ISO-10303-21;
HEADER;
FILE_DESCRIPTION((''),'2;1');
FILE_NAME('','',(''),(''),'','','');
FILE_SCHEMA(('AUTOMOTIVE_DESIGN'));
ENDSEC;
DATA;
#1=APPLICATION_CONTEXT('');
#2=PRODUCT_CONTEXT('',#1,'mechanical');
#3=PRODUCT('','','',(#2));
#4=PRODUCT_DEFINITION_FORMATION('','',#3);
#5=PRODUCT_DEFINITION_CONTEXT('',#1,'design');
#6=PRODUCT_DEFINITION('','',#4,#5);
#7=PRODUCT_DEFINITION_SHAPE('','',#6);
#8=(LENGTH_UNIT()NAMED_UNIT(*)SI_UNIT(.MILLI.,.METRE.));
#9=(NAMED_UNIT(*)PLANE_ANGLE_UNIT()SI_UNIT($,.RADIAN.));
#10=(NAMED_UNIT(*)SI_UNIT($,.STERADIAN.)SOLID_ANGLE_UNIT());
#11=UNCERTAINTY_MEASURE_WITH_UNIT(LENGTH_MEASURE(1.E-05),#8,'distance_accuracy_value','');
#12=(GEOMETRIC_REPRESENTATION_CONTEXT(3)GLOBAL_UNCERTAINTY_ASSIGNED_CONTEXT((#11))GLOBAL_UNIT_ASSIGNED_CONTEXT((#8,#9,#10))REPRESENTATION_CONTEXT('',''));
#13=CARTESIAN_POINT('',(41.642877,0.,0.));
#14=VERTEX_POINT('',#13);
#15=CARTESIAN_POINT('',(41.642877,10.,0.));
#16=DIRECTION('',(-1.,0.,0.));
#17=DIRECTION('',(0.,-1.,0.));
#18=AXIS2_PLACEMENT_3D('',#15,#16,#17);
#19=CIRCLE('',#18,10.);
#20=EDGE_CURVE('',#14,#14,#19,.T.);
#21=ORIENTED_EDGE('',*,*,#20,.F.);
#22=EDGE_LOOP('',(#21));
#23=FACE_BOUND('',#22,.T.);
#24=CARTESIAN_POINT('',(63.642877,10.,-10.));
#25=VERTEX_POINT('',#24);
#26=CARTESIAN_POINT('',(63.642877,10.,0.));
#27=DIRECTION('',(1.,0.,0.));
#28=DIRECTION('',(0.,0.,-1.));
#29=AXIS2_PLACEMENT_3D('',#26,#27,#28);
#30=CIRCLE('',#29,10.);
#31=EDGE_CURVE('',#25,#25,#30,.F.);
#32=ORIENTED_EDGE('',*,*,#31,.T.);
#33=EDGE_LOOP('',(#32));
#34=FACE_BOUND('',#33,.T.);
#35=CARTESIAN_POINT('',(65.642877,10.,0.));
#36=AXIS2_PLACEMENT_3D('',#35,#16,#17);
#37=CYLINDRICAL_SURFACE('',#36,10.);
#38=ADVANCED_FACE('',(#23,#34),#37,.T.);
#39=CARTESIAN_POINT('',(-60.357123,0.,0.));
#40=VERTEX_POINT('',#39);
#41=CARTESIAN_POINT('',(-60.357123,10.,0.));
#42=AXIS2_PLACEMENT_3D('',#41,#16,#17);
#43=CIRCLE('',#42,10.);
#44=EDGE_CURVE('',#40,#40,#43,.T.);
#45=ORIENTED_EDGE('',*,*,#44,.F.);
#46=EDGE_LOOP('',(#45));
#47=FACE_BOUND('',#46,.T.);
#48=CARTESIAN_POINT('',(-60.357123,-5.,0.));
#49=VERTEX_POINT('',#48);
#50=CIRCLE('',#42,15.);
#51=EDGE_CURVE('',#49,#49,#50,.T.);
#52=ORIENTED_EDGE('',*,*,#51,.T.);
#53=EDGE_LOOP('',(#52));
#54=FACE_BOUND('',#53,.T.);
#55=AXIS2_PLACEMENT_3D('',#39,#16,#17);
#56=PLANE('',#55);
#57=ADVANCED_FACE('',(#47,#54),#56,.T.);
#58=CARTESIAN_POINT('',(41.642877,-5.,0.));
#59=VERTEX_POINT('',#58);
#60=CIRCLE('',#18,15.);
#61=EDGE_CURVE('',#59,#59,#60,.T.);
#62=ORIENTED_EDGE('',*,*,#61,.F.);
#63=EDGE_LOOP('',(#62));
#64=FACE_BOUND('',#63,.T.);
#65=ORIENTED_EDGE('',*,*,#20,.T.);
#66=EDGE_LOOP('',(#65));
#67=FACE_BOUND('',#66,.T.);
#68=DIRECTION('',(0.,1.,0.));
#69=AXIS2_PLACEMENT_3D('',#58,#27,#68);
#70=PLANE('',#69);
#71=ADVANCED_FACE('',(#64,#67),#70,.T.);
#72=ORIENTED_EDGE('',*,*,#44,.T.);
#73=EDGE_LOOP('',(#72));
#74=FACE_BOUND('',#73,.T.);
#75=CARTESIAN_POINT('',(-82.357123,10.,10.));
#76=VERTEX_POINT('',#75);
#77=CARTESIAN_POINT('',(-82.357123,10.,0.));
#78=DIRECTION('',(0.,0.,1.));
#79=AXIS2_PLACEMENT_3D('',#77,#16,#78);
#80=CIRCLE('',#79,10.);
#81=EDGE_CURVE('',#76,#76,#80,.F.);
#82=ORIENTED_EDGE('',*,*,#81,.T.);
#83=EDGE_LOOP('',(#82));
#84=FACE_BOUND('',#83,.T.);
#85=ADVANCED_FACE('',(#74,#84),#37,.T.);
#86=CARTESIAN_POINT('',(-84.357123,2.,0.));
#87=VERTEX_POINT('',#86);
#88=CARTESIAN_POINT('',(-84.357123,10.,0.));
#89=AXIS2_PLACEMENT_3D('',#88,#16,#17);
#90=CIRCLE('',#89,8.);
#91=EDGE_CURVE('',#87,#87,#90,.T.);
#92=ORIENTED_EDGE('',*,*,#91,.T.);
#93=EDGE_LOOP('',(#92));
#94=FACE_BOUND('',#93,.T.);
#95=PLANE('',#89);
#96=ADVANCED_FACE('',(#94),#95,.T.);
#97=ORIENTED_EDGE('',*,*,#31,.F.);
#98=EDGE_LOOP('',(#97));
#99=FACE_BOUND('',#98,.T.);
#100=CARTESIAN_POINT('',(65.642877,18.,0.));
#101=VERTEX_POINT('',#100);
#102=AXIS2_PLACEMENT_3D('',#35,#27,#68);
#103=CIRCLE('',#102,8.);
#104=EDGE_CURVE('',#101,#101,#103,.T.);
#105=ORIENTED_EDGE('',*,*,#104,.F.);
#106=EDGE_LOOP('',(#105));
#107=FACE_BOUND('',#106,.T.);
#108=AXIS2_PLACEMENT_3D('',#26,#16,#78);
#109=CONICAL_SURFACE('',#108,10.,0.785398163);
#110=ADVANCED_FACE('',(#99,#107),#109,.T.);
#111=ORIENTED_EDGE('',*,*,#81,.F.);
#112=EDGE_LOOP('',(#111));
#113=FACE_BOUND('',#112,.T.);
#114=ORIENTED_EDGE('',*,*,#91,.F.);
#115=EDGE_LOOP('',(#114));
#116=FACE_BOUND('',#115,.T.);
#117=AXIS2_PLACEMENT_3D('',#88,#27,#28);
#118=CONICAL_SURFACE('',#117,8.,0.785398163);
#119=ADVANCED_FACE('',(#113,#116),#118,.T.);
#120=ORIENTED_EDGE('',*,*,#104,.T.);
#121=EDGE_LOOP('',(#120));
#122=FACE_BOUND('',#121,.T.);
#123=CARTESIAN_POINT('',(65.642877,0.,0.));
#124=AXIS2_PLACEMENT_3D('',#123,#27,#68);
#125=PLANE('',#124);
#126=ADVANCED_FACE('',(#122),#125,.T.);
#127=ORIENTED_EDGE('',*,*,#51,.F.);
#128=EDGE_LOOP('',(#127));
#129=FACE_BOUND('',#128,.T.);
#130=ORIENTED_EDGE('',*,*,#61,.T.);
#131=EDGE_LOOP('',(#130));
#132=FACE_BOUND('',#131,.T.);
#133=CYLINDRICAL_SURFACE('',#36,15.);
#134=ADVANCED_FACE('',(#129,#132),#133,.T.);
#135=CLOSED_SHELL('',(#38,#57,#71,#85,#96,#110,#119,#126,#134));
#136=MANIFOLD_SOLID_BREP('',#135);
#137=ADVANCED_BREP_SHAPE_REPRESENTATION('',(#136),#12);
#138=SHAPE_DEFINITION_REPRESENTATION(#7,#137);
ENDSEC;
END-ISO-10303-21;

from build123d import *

# Parameters (mm, degrees)
CHAMFER1_SIZE = 2


with BuildPart() as part:
    # Sketch1 → Revolve1 (revolve)
    with BuildSketch(Plane.XY):
        Polygon((-84.357122968, 0), (-60.357122968, 0), (-60.357122968, -5), (41.642877032, -5), (41.642877032, 0), (65.642877032, 0), (65.642877032, 10), (-84.357122968, 10), align=None)
    revolve(axis=Axis((65.642877032, 10, 0), (-1, 0, 0)))

    # Chamfer1
    chamfer1_edges = [part.edges().sort_by_distance(p)[0] for p in [
        (65.642877032, 20, 0),
        (-84.357122968, 20, 0),
    ]]
    chamfer(chamfer1_edges, length=CHAMFER1_SIZE)


solid = part.part
